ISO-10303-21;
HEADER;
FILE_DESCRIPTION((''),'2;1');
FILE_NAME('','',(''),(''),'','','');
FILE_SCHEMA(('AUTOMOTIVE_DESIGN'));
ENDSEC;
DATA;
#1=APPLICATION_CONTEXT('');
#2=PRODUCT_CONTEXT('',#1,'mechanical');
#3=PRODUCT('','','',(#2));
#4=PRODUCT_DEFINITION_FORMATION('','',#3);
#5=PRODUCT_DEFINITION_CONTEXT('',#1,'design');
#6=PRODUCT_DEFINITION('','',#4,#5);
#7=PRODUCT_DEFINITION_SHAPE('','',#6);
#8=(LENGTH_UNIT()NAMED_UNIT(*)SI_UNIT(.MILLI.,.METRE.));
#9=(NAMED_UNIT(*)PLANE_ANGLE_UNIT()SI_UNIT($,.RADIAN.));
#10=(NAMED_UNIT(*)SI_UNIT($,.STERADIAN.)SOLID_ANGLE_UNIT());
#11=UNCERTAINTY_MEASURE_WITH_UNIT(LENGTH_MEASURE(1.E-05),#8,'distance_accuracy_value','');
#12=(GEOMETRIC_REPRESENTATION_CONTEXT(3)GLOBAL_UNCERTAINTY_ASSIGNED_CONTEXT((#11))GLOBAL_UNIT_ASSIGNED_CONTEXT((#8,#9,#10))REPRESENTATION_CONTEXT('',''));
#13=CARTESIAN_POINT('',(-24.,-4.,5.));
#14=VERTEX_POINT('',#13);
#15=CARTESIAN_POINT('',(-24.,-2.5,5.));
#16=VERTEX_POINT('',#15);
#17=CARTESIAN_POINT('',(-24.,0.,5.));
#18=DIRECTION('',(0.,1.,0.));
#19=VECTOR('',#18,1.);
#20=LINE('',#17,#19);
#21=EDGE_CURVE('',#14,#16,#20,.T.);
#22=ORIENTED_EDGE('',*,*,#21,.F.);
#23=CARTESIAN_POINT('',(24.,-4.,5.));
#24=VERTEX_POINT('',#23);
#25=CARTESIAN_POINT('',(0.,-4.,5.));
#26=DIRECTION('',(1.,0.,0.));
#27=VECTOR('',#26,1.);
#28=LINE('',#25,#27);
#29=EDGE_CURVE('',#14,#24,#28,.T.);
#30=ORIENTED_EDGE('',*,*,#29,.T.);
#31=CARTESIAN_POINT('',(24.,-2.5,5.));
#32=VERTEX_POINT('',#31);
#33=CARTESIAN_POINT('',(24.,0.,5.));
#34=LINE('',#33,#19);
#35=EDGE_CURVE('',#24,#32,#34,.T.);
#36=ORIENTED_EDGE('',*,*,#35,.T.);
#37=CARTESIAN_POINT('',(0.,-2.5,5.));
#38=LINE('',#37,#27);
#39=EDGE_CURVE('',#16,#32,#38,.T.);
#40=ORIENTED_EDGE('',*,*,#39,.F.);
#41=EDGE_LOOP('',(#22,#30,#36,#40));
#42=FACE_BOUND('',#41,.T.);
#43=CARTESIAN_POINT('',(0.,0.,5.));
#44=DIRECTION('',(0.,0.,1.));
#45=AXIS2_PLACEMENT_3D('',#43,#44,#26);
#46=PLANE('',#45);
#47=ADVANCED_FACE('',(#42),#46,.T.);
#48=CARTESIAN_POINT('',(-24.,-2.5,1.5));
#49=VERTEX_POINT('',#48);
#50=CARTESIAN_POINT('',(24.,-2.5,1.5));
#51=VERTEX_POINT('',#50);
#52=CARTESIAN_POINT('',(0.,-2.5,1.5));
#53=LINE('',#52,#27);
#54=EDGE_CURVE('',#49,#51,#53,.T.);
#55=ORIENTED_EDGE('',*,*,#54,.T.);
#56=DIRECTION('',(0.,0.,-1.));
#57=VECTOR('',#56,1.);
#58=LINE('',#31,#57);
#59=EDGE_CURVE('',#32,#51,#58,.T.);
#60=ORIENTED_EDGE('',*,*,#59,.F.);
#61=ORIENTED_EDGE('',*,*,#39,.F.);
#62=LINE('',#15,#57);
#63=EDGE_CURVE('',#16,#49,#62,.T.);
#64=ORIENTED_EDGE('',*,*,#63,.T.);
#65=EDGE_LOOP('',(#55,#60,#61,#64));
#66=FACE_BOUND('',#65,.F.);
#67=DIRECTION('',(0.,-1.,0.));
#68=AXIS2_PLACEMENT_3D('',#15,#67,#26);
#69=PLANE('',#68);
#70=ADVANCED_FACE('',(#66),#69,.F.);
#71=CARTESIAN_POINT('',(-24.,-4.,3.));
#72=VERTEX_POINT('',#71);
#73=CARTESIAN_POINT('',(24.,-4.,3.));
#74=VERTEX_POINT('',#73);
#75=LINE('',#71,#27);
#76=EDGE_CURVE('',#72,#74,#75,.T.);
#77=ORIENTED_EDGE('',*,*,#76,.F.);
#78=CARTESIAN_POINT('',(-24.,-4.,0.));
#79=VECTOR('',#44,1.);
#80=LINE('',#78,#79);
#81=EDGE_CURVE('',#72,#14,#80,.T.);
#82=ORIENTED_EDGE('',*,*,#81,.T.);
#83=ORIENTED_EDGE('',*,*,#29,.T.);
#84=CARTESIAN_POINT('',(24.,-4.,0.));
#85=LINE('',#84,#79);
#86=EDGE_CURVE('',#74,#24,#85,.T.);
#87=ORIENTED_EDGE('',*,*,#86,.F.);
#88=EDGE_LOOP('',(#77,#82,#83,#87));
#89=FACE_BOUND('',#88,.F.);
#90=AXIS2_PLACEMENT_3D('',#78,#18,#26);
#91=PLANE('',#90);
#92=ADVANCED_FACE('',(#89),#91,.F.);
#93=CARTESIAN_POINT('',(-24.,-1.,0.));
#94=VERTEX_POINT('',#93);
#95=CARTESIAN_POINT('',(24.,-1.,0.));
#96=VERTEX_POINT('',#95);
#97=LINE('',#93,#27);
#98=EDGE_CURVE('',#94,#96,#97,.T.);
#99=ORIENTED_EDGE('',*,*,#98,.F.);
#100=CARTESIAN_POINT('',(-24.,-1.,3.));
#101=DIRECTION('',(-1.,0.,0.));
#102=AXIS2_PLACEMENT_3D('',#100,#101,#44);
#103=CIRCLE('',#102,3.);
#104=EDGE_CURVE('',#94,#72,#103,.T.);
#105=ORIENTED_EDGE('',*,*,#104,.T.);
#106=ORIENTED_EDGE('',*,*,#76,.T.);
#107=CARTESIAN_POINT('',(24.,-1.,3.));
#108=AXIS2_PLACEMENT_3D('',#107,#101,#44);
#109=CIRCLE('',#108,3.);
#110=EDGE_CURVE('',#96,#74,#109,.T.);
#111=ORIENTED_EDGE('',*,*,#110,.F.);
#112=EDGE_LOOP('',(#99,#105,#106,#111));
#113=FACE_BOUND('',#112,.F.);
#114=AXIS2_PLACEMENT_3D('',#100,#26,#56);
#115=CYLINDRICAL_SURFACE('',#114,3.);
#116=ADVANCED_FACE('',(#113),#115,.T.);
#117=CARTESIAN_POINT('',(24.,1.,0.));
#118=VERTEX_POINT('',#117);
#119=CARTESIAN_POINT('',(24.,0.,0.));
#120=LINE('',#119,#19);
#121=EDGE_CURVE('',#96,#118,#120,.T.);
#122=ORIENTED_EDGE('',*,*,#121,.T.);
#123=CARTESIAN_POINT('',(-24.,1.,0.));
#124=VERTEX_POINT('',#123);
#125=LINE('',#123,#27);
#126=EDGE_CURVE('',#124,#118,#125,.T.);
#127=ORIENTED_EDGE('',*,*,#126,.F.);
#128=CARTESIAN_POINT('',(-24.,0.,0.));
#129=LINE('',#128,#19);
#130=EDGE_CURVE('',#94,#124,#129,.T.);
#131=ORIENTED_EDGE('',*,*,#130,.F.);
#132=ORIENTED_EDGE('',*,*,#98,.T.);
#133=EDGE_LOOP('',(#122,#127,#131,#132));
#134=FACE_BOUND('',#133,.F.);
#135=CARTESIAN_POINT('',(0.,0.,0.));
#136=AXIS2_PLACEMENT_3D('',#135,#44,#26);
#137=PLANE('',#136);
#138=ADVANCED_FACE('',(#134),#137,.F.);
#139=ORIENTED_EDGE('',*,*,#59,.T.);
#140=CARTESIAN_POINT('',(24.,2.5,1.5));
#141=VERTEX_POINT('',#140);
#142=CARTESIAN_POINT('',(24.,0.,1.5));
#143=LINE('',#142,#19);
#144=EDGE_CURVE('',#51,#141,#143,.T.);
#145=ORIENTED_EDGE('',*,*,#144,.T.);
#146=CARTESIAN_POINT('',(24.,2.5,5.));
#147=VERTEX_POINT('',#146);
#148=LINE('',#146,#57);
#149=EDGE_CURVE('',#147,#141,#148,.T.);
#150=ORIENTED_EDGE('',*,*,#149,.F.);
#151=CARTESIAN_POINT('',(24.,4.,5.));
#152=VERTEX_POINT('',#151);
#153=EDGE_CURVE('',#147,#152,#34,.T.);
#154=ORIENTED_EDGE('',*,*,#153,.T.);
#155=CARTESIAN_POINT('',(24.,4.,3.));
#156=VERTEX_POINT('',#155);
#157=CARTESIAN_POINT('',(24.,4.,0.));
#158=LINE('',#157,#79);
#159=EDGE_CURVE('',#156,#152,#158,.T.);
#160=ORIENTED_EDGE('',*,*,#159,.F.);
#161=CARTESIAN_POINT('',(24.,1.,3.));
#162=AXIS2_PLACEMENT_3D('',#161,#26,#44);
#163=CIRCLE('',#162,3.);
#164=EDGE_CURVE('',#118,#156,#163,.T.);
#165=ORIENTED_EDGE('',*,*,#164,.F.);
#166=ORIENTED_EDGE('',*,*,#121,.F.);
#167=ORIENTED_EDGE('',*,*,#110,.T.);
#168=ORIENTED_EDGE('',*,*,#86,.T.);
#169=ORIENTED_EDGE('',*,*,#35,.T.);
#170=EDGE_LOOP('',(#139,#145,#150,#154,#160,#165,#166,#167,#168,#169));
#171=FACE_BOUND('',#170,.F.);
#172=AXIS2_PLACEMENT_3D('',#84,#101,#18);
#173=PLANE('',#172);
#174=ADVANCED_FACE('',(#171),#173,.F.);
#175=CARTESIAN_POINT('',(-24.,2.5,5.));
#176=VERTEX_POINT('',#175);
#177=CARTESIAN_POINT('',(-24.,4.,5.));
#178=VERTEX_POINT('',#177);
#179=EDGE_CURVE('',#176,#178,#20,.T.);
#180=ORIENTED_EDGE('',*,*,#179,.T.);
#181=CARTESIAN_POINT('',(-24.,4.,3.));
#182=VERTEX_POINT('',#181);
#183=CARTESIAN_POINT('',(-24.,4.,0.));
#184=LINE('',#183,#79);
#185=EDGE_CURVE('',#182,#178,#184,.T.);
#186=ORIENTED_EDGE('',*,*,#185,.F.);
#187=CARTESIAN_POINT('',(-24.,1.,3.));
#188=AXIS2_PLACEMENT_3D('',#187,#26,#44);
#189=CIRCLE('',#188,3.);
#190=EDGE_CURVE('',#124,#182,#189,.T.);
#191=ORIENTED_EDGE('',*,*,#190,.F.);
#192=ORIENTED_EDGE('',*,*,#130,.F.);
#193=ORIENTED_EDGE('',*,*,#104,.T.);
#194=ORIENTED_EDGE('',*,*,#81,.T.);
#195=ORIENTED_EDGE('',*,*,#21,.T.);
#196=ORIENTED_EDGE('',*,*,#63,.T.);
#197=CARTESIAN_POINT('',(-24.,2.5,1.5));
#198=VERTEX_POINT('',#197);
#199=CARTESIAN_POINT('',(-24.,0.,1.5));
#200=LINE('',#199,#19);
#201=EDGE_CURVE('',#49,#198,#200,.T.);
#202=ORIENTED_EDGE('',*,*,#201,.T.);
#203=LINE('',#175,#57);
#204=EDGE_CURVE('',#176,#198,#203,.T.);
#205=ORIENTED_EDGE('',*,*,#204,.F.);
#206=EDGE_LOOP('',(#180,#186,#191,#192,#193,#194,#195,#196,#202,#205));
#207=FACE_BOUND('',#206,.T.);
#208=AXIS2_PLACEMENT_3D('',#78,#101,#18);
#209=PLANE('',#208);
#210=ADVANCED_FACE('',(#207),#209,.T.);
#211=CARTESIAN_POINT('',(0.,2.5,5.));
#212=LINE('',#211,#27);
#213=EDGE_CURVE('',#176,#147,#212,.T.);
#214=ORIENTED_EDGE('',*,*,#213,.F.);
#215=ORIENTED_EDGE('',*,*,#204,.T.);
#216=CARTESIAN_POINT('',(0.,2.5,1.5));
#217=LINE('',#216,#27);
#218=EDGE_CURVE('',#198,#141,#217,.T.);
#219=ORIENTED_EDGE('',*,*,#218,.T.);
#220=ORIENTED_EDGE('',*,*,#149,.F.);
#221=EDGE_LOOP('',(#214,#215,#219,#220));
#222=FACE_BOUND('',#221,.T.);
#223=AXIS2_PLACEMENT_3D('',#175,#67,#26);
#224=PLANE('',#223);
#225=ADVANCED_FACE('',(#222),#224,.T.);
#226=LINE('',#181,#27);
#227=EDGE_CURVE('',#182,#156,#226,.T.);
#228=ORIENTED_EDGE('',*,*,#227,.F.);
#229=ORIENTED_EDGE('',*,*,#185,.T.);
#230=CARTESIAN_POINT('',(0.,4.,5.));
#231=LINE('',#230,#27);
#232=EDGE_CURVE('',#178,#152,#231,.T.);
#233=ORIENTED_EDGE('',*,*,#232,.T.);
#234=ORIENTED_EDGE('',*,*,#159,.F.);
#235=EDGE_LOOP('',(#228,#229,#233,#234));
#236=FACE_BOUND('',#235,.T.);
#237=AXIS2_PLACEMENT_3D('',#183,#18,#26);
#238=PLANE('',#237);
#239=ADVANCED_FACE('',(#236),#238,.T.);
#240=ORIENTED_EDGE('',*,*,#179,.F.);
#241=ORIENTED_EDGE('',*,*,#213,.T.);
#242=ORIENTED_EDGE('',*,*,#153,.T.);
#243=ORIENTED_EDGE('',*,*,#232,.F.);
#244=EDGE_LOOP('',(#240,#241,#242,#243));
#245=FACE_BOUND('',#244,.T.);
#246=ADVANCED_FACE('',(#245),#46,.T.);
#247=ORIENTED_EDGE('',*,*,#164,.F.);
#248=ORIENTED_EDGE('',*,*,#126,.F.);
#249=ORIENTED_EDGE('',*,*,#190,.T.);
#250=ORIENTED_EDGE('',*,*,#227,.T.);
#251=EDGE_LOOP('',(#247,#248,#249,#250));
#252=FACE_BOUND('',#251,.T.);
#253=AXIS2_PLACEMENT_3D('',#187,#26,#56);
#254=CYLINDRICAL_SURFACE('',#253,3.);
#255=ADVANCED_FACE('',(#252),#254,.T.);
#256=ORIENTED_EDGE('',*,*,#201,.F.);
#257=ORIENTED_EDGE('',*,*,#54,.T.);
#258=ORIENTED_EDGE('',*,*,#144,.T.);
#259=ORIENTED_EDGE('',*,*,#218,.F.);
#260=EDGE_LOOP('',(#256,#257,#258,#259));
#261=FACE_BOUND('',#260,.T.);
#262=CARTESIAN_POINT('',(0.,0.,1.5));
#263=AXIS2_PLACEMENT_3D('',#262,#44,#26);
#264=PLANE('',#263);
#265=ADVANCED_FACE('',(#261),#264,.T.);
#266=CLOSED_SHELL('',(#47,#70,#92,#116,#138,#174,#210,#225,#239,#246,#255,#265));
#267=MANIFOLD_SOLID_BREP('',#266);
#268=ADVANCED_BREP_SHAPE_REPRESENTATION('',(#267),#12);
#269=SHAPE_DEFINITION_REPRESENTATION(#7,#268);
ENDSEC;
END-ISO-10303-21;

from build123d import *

# Parameters (mm, degrees)
F0_W     = 48
F0_H     = 8
F1_DEPTH = 5
F2_W     = 48
F2_H     = 5
F3_DEPTH = 3.5
F4_R     = 3


with BuildPart() as f1:
    # F0 (on Top) → F1 (new body)
    with BuildSketch(Plane.XY):
        Rectangle(F0_W, F0_H)
    extrude(amount=F1_DEPTH)

    # F2 (on face) → F3 (cut)
    with BuildSketch(Plane.XY.offset(5)):
        Rectangle(F2_W, F2_H)
    extrude(amount=-F3_DEPTH, mode=Mode.SUBTRACT)

    # F4
    f4_edges = [f1.edges().sort_by_distance(p)[0] for p in [
        (0, -4, 0),
        (0, 4, 0),
    ]]
    fillet(f4_edges, radius=F4_R)


solid = f1.part
